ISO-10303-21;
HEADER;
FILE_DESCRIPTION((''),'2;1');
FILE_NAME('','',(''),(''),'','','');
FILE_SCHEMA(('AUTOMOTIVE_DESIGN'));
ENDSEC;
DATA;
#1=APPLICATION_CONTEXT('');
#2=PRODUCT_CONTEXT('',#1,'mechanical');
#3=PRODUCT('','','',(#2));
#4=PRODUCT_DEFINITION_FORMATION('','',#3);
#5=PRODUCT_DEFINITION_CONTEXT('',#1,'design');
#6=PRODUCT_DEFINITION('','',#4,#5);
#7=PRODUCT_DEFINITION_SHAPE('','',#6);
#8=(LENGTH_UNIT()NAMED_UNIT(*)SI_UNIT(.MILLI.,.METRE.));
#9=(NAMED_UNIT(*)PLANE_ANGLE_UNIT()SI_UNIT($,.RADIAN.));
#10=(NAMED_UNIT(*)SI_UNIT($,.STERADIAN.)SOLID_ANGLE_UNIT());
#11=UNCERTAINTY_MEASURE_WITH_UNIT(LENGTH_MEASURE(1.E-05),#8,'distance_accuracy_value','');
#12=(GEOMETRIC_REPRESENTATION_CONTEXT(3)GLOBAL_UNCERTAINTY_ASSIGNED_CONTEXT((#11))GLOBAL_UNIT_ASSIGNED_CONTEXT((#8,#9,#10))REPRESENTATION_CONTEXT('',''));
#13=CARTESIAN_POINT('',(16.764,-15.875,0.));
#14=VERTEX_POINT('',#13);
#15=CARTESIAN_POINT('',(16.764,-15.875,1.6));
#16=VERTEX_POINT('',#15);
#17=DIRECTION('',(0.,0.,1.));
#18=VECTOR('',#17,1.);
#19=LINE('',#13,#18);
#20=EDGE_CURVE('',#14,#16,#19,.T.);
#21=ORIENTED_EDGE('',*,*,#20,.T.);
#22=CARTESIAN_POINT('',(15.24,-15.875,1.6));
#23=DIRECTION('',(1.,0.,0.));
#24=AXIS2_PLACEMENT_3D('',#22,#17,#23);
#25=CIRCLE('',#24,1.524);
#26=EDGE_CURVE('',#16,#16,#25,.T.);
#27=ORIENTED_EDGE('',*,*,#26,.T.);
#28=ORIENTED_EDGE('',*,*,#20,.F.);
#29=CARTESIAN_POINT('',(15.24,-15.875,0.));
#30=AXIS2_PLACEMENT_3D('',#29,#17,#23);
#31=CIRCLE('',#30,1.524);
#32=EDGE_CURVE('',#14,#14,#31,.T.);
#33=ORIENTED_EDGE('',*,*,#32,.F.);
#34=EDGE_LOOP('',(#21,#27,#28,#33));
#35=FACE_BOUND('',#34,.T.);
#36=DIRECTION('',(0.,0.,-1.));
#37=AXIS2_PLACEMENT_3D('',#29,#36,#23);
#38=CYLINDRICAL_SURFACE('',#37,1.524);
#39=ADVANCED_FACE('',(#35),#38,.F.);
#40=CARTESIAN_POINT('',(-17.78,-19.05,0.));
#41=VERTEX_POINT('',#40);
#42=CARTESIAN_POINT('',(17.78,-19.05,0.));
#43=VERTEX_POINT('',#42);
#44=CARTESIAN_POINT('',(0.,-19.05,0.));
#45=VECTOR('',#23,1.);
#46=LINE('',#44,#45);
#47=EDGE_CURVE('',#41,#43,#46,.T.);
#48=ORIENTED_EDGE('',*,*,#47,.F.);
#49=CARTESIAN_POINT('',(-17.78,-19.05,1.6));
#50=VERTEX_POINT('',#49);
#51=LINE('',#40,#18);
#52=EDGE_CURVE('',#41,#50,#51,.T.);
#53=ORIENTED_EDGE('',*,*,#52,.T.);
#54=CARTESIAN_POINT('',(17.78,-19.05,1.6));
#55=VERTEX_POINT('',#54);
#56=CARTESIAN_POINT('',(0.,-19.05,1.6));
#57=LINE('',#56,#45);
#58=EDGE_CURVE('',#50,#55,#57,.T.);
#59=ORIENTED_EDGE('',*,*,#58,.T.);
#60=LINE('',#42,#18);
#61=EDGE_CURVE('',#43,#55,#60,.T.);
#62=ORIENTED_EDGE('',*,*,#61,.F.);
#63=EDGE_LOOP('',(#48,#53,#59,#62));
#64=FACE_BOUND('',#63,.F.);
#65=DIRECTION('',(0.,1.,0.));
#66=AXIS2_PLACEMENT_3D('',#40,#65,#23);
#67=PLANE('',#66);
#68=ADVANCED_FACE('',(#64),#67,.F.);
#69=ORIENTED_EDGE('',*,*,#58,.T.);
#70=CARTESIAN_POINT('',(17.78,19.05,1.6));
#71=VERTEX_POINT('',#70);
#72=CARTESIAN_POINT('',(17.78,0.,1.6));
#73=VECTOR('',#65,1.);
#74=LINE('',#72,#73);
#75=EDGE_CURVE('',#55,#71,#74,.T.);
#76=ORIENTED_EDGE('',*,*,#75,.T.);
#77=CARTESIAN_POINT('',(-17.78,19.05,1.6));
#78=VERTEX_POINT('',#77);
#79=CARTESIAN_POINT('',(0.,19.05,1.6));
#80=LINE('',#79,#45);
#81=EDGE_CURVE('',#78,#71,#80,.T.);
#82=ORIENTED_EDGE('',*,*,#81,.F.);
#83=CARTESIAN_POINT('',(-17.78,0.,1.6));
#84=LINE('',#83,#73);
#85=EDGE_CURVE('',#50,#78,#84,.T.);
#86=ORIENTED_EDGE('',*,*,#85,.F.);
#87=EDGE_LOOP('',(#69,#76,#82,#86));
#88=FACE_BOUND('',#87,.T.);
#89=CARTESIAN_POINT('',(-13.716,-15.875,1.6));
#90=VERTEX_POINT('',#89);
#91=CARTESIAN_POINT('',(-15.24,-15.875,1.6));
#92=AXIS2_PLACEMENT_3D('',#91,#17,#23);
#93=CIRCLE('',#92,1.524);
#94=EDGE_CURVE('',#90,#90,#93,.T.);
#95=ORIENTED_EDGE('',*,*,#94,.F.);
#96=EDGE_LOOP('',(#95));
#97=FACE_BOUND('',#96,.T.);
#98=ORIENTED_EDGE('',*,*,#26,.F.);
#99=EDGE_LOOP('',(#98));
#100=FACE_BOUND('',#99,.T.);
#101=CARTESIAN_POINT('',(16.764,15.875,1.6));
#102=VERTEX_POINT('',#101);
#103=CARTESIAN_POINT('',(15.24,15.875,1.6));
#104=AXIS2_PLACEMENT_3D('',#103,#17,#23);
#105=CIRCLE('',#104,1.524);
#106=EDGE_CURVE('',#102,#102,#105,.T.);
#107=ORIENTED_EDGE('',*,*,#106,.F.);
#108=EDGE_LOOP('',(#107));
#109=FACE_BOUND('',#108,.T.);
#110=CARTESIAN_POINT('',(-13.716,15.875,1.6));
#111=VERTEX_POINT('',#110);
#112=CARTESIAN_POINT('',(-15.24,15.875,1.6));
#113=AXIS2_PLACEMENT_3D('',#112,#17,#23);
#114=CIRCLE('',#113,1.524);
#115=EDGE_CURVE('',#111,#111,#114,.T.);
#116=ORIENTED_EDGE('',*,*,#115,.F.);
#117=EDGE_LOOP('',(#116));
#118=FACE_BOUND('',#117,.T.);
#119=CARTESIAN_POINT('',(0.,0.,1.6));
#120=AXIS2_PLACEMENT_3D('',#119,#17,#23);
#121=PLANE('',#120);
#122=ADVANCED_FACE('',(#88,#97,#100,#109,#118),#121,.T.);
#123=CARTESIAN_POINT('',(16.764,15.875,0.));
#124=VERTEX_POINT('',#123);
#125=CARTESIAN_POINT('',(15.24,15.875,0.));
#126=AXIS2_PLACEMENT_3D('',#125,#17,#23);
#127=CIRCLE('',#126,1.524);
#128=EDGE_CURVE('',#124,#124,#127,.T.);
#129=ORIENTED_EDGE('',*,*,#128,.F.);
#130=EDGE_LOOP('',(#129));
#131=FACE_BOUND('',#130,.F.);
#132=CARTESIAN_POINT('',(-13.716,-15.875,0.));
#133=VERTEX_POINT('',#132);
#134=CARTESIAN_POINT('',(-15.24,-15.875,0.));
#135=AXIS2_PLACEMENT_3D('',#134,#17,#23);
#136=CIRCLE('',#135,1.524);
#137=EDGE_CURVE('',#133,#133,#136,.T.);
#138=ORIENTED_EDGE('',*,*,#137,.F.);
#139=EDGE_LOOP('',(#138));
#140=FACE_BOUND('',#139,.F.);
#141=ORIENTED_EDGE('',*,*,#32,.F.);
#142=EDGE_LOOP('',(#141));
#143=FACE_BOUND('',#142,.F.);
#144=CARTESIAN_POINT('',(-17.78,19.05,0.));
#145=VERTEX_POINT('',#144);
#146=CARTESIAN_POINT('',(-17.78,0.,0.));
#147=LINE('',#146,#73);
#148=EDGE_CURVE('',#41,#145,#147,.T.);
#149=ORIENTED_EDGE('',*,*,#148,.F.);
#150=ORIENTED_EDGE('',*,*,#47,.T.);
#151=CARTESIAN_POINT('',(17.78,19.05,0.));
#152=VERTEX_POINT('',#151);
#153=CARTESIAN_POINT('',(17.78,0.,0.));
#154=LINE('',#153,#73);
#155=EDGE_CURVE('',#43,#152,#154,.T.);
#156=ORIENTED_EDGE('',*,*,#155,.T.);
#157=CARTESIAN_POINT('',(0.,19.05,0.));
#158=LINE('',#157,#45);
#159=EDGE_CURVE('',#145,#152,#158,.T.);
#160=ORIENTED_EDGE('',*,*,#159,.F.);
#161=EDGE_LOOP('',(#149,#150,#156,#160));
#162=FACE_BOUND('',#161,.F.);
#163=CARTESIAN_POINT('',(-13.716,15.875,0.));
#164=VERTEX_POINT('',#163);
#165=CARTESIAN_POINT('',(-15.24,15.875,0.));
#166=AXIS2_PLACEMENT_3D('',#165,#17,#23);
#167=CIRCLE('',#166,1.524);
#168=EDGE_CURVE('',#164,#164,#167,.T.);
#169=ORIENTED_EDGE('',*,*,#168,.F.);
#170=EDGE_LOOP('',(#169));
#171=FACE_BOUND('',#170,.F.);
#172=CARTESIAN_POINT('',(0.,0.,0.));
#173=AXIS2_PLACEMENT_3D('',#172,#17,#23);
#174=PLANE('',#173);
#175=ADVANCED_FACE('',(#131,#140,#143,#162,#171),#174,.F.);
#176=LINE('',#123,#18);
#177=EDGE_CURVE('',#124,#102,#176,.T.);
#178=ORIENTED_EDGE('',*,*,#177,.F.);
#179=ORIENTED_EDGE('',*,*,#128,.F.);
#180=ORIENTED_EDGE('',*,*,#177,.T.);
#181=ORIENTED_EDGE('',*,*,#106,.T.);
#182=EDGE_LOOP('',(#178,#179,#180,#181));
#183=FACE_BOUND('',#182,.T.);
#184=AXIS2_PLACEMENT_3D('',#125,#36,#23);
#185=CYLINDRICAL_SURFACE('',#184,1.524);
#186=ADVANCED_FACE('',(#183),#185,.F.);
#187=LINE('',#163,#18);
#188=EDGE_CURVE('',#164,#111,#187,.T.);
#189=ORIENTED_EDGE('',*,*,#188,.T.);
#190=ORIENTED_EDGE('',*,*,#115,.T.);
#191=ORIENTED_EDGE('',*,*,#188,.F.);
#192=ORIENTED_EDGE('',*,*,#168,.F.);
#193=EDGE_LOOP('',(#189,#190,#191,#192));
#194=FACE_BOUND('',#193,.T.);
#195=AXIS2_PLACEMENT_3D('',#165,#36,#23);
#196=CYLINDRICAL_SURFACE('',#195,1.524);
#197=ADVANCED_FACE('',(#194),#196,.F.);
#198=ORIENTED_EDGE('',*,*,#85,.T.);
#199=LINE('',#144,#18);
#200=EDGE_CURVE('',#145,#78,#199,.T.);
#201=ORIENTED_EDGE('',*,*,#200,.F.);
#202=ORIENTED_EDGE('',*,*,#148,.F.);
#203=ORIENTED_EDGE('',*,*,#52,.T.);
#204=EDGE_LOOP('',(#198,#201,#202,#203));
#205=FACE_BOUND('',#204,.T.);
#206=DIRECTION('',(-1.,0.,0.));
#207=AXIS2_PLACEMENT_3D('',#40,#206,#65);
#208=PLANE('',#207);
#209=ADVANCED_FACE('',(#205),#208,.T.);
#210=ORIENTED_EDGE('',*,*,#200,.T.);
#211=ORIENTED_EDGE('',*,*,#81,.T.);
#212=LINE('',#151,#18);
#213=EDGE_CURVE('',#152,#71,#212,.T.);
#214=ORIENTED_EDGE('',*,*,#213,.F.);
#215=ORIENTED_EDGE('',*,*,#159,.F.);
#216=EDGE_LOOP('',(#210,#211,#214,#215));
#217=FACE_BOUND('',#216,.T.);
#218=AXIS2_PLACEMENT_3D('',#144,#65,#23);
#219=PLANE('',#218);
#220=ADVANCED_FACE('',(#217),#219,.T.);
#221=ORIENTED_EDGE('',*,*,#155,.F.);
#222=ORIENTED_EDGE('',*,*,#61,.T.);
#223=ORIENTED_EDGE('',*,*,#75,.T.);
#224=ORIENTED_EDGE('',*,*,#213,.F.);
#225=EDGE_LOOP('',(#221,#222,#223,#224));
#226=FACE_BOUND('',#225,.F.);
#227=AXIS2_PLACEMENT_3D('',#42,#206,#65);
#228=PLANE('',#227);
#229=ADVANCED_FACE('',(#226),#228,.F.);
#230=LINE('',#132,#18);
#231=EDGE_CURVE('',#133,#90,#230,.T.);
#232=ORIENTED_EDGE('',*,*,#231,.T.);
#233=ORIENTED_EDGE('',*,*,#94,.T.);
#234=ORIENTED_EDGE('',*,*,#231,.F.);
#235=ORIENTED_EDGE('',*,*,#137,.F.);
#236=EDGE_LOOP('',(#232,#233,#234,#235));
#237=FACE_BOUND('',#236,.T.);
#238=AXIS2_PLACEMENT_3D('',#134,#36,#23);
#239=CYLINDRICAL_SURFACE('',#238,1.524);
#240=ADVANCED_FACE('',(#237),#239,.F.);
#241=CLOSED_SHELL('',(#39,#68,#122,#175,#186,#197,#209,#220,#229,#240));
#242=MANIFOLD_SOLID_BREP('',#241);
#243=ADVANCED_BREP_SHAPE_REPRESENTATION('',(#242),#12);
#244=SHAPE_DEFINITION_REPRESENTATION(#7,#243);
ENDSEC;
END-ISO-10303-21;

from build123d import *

# Parameters (mm, degrees)
SKETCH_W  = 35.56
SKETCH_H  = 38.1
SKETCH_R  = 1.524
PAD_DEPTH = 1.6


with BuildPart() as part:
    # Sketch → Pad (new body)
    with BuildSketch(Plane.XY):
        Rectangle(SKETCH_W, SKETCH_H)
        with Locations((-15.24, 15.875)):
            Circle(SKETCH_R, mode=Mode.SUBTRACT)
        with Locations((-15.24, -15.875)):
            Circle(SKETCH_R, mode=Mode.SUBTRACT)
        with Locations((15.24, -15.875)):
            Circle(SKETCH_R, mode=Mode.SUBTRACT)
        with Locations((15.24, 15.875)):
            Circle(SKETCH_R, mode=Mode.SUBTRACT)
    extrude(amount=PAD_DEPTH)


solid = part.part
